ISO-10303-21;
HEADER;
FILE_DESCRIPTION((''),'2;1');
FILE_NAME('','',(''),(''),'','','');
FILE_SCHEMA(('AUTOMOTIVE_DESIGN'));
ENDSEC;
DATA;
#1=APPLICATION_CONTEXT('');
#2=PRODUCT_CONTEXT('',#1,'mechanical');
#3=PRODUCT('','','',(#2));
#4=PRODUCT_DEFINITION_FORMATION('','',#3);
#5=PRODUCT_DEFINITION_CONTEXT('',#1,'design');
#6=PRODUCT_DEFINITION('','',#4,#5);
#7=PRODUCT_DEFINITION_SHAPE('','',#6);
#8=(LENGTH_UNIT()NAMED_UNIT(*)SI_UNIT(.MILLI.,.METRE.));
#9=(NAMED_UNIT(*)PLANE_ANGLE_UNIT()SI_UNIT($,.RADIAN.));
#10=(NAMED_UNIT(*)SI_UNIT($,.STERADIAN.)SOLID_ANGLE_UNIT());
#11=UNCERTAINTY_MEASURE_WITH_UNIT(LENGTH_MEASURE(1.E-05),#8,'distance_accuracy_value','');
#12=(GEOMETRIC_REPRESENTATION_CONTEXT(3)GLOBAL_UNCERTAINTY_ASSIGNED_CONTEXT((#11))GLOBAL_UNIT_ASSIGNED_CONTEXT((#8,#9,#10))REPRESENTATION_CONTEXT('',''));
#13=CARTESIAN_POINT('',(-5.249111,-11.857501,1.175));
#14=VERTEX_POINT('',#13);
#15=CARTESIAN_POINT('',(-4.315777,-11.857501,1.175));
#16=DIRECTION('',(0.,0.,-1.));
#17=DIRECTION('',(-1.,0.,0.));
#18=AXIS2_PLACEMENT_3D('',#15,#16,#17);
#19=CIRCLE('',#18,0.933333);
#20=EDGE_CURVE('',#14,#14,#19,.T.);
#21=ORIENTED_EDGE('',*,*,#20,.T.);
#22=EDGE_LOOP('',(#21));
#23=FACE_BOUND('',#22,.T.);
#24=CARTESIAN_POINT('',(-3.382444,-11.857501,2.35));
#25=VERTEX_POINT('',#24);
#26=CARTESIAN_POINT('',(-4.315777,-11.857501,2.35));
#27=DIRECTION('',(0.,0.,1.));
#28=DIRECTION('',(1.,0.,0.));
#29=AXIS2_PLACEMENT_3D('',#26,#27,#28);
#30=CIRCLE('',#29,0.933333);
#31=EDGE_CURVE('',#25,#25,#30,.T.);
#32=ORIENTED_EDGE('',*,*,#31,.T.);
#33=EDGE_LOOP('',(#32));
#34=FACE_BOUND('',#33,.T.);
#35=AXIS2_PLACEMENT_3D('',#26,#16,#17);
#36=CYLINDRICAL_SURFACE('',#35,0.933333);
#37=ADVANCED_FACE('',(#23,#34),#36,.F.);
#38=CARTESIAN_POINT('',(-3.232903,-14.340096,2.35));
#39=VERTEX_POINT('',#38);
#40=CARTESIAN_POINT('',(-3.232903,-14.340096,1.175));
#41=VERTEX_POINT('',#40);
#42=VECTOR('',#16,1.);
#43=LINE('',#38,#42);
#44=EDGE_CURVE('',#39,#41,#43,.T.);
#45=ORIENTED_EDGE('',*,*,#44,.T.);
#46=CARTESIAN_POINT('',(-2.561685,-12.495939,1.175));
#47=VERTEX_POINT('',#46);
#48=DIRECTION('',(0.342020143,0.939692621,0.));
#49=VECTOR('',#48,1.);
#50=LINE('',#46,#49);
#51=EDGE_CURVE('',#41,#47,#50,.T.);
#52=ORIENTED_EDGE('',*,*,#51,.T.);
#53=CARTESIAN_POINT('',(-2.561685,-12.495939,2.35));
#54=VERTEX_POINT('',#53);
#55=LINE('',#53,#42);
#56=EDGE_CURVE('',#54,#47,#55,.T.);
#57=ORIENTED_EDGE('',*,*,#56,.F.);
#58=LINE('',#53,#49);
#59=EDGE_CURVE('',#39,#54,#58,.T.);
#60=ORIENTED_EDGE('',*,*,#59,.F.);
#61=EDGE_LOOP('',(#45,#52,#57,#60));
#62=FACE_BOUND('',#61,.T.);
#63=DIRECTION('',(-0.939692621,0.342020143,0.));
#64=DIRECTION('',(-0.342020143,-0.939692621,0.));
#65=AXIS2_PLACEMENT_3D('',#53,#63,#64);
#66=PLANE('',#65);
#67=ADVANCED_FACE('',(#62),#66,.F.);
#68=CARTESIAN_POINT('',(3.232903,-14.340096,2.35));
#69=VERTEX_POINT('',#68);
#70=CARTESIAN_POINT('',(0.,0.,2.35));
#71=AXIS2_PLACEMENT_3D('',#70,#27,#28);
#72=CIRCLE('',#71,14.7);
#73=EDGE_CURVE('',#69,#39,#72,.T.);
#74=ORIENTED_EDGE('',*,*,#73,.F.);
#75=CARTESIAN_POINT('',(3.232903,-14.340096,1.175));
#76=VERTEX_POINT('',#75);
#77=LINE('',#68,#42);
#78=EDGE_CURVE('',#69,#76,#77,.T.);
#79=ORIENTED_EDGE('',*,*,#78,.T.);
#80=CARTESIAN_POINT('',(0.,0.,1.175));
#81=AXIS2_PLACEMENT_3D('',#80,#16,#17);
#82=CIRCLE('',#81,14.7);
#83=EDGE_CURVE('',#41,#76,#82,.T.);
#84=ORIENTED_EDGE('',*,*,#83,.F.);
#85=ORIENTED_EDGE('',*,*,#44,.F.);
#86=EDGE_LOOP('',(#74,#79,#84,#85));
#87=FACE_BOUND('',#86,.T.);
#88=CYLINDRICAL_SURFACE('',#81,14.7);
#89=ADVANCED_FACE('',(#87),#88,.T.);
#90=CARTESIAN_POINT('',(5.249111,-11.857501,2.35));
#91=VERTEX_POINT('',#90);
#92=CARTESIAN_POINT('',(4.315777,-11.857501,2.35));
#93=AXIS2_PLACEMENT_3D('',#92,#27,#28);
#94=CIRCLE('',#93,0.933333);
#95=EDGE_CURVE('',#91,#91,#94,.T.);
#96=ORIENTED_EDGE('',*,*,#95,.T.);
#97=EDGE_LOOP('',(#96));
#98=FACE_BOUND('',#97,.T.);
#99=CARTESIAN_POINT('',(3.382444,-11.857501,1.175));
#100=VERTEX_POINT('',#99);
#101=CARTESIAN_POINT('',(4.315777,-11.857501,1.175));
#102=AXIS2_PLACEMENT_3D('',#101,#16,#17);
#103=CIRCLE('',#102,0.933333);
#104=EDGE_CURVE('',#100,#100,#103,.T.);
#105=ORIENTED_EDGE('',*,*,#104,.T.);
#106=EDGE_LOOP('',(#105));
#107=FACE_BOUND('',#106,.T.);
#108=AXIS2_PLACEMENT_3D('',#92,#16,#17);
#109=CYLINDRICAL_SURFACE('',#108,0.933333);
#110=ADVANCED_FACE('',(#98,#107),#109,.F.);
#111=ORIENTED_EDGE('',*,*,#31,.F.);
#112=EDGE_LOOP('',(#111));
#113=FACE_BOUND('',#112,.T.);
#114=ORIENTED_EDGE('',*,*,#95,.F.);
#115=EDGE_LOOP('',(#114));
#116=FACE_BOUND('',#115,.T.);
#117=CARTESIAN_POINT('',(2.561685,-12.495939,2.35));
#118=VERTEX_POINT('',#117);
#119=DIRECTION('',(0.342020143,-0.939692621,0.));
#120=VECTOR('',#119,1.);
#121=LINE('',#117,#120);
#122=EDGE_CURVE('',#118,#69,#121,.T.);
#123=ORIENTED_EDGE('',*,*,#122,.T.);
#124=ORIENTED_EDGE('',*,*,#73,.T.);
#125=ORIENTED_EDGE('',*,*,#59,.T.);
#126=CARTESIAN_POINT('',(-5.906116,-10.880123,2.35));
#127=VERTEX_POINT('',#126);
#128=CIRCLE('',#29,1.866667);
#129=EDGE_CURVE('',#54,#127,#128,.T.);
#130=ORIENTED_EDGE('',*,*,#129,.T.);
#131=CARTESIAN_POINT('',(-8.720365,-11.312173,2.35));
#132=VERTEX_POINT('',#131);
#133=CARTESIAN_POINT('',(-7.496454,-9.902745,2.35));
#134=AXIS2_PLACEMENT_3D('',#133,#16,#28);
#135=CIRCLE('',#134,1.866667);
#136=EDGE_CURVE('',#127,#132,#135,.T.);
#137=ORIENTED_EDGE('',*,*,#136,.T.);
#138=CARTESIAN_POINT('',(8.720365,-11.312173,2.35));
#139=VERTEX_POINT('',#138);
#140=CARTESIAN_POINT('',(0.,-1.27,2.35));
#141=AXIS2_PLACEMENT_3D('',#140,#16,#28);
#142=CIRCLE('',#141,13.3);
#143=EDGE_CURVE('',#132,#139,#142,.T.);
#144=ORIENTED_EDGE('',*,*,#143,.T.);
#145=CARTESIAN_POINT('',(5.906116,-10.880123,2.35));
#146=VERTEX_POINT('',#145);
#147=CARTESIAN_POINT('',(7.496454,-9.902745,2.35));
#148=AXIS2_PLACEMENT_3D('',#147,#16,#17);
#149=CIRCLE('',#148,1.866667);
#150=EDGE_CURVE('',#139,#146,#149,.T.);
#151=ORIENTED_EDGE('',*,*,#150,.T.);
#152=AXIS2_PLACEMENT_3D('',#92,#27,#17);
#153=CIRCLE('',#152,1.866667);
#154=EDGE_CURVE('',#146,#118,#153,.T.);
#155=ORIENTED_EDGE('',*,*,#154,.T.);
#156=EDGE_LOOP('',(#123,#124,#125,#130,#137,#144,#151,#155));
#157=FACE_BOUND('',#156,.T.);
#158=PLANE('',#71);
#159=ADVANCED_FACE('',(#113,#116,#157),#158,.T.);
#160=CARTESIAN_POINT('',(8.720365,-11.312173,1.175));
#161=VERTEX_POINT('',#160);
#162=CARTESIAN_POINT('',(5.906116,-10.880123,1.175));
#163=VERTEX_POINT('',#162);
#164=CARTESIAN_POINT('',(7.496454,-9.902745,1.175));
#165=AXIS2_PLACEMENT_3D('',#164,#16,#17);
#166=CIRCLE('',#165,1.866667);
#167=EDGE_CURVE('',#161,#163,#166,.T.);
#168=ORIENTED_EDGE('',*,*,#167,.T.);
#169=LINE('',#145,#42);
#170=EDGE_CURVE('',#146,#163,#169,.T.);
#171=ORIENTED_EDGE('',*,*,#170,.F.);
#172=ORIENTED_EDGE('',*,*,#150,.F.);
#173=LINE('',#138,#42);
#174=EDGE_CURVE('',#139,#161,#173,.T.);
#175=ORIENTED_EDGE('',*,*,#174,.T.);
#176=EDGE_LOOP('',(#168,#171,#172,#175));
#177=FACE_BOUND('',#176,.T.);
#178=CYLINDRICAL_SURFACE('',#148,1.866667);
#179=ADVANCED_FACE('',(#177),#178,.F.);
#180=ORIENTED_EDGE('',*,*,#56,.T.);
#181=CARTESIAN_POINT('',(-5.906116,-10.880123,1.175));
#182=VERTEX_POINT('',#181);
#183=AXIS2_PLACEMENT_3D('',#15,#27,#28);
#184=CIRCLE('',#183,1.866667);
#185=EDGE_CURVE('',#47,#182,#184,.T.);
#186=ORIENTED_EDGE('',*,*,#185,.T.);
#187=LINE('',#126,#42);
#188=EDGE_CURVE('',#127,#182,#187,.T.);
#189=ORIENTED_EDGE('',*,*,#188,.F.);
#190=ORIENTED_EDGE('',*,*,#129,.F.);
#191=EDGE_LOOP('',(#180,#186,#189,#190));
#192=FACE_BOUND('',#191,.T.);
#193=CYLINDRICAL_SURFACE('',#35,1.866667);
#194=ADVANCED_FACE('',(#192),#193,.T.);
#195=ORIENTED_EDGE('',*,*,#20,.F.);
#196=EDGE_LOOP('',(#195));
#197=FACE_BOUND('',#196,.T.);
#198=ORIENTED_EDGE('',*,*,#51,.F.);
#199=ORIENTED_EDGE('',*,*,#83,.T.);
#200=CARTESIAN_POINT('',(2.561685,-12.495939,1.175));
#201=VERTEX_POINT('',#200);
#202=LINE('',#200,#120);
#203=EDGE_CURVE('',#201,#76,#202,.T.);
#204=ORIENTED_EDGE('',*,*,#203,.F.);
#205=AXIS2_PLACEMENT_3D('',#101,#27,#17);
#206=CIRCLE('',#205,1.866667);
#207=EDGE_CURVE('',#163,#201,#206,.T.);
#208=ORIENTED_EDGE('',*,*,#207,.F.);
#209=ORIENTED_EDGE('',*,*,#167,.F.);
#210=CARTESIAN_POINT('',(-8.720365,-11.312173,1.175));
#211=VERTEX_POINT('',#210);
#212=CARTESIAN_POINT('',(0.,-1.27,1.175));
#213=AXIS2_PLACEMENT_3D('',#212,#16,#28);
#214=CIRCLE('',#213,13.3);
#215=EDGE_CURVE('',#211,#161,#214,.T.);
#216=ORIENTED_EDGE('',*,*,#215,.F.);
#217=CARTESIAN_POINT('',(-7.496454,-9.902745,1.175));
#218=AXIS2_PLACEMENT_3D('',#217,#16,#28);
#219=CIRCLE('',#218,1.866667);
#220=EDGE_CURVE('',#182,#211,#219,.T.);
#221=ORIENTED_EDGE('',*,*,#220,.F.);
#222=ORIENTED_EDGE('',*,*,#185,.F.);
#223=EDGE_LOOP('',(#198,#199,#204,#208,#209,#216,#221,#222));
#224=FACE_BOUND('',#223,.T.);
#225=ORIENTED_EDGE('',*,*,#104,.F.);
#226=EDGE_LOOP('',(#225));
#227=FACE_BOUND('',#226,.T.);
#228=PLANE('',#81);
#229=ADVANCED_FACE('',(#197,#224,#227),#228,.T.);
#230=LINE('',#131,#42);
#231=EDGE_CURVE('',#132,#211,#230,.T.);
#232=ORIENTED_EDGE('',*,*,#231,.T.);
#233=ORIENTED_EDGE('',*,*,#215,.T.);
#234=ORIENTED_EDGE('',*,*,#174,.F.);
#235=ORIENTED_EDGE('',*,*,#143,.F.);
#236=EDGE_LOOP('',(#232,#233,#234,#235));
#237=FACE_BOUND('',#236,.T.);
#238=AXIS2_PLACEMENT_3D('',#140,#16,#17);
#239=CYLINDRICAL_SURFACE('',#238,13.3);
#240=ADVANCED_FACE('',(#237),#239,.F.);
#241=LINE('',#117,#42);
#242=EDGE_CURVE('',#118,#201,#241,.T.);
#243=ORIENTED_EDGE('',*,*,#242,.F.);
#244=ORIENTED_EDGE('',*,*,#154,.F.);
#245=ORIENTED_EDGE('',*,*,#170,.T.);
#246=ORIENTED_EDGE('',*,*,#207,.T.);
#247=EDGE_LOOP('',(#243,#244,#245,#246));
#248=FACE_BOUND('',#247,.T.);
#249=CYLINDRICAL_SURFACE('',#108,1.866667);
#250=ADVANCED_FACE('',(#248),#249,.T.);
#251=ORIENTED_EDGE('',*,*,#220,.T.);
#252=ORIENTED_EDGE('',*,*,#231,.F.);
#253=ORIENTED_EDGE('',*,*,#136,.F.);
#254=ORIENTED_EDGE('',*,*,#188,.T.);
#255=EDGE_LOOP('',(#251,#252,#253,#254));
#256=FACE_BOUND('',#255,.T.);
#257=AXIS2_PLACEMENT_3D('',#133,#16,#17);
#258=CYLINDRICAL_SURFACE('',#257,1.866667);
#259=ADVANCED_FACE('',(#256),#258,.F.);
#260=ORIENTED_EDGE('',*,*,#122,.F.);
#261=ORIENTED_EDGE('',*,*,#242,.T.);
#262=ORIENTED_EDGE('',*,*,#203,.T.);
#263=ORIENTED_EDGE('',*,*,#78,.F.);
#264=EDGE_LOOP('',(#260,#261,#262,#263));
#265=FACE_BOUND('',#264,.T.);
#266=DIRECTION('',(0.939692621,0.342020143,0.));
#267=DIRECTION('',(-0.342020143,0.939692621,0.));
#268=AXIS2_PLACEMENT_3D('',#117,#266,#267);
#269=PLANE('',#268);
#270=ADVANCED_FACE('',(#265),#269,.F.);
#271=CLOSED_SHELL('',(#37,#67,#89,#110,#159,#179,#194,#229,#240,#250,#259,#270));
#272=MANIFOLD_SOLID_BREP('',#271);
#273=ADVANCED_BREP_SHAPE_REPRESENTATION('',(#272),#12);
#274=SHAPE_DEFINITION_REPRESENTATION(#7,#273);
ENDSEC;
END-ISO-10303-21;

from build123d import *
from build123d.topology import SkipClean

# Parameters (mm, degrees)
SKETCH1_R                 = 14.7
EXTRUDE1_DEPTH            = 1.175
SKETCH34_R                = 0.933333333
F_056_250_SNAP_RING_DEPTH = 1.175
SKETCH35_R                = 14.7
CUT_EXTRUDE1_DEPTH        = 1.175


with BuildPart() as part:
    # Sketch1 → Extrude1 (new body)
    with BuildSketch(Plane.XY):
        Circle(SKETCH1_R)
    extrude(amount=EXTRUDE1_DEPTH)

    # Sketch34 → 056-250 Snap Ring (add)
    with SkipClean():  # the faces are left unmerged after this step: merging them gives an invalid solid
        with BuildSketch(Plane.XY.offset(1.175)):
            with BuildLine():
                Line((-2.561684509, -12.495938559), (-3.232902754, -14.340095529))
                ThreePointArc((-3.232902754, -14.340095529), (0, 14.7), (3.232902754, -14.340095529))
                Line((3.232902754, -14.340095529), (2.561684509, -12.495938559))
                ThreePointArc((2.561684509, -12.495938559), (3.503731248, -10.176719744), (5.906115896, -10.880122876))
                ThreePointArc((5.906115896, -10.880122876), (7.213198298, -11.747795045), (8.720365313, -11.312172515))
                ThreePointArc((8.720365313, -11.312172515), (0, 12.03), (-8.720365313, -11.312172515))
                ThreePointArc((-8.720365313, -11.312172515), (-7.213198298, -11.747795045), (-5.906115896, -10.880122876))
                ThreePointArc((-5.906115896, -10.880122876), (-3.503731248, -10.176719744), (-2.561684509, -12.495938559))
            make_face()
            with Locations((4.315777401, -11.857500958)):
                Circle(SKETCH34_R, mode=Mode.SUBTRACT)
            with Locations((-4.315777401, -11.857500958)):
                Circle(SKETCH34_R, mode=Mode.SUBTRACT)
        extrude(amount=F_056_250_SNAP_RING_DEPTH)

    # Sketch35 → Cut-Extrude1 (cut)
    with BuildSketch(Plane(origin=(0, 0, 0), x_dir=(-1, 0, 0), z_dir=(0, 0, -1))):
        Circle(SKETCH35_R)
    extrude(amount=-CUT_EXTRUDE1_DEPTH, mode=Mode.SUBTRACT)


solid = part.part
